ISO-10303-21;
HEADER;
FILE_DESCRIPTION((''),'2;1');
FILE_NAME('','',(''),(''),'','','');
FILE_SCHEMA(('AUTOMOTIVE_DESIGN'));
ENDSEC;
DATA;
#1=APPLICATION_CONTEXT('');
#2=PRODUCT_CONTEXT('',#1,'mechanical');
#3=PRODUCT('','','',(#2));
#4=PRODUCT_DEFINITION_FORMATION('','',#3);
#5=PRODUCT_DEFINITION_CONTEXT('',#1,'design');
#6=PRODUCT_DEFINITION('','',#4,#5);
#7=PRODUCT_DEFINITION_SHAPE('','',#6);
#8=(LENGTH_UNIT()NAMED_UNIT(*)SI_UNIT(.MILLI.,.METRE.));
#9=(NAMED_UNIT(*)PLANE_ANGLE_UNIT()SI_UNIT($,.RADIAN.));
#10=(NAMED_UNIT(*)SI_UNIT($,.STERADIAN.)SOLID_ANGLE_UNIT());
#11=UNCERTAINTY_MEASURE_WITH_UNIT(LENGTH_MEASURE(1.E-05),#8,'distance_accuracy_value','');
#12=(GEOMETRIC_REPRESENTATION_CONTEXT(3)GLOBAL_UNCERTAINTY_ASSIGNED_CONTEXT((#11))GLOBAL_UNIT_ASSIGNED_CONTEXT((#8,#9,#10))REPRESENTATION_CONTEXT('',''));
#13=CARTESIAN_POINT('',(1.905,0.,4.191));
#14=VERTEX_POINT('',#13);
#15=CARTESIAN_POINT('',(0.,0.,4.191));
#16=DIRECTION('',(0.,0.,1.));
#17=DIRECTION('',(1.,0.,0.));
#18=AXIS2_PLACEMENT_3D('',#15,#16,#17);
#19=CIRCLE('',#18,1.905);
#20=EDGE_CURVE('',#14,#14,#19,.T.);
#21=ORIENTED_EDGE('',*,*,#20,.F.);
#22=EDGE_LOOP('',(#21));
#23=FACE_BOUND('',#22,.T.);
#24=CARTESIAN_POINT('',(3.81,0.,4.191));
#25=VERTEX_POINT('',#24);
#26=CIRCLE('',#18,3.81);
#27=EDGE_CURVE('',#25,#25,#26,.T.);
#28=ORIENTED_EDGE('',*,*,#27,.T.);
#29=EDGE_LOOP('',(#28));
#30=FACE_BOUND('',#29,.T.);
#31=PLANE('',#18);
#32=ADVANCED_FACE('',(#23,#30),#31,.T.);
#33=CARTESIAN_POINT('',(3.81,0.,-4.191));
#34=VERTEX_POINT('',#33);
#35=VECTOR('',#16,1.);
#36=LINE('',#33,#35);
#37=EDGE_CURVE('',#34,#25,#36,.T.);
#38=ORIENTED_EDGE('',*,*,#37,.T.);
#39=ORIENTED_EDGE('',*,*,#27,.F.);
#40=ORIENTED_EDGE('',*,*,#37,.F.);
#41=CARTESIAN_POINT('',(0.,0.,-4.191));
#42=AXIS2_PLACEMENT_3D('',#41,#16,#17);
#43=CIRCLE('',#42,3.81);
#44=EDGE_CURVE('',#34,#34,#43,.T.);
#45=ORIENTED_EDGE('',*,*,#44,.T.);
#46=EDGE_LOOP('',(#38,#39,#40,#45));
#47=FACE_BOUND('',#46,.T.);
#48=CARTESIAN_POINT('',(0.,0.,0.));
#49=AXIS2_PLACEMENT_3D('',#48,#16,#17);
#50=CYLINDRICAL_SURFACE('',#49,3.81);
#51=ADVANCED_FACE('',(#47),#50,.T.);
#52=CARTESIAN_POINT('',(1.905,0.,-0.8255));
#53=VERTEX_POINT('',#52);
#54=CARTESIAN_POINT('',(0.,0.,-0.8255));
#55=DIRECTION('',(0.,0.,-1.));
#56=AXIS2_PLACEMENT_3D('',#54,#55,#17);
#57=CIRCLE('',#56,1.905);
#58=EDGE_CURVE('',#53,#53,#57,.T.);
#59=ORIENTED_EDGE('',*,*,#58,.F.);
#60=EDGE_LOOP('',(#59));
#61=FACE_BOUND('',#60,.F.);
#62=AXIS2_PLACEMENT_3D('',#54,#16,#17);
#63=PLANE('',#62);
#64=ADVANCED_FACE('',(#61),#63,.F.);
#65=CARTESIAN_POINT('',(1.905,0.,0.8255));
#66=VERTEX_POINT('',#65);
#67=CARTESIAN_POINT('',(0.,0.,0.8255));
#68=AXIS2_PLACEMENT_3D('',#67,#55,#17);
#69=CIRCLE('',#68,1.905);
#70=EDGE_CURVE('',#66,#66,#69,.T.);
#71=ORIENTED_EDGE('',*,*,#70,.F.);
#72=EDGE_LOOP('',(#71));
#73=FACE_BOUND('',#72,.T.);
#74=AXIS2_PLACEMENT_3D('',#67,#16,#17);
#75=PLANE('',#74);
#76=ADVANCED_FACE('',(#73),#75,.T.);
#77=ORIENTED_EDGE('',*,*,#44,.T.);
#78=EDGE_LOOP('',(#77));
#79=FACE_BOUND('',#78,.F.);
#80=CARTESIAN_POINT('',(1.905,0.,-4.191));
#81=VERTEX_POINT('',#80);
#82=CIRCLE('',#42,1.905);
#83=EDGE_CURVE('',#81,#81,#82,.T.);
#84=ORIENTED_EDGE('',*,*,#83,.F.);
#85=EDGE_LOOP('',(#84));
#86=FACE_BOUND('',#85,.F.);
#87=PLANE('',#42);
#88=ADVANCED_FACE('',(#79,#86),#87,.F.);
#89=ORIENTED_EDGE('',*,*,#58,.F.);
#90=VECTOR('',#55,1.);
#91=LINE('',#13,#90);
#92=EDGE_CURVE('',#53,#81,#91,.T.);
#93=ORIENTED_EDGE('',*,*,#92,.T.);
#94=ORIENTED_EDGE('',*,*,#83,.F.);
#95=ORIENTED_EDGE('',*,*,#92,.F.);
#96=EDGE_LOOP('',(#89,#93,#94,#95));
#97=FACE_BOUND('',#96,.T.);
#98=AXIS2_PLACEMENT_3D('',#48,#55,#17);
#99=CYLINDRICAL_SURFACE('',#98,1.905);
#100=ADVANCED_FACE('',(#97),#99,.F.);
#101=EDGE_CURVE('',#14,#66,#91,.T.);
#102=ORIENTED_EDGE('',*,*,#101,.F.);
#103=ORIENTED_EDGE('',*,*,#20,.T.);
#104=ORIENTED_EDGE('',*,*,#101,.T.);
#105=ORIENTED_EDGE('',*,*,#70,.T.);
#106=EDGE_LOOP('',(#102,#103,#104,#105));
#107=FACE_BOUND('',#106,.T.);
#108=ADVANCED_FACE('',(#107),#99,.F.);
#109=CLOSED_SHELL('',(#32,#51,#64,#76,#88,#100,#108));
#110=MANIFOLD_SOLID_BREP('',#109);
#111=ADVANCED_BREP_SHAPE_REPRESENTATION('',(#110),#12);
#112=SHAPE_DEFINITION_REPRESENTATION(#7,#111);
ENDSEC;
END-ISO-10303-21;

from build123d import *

# Parameters (mm, degrees)
F0_R     = 3.81
F0_R_2   = 1.905
F1_DEPTH = 4.191
F2_R     = 1.9304
F3_DEPTH = 0.8255


with BuildPart() as f1:
    # F0 (on Top) → F1 (new body, symmetric)
    with BuildSketch(Plane.XY):
        Circle(F0_R)
        Circle(F0_R_2, mode=Mode.SUBTRACT)
    extrude(amount=F1_DEPTH, both=True)

    # F2 (on Top) → F3 (join, symmetric)
    with BuildSketch(Plane.XY):
        Circle(F2_R)
    extrude(amount=F3_DEPTH, both=True)


solid = f1.part
